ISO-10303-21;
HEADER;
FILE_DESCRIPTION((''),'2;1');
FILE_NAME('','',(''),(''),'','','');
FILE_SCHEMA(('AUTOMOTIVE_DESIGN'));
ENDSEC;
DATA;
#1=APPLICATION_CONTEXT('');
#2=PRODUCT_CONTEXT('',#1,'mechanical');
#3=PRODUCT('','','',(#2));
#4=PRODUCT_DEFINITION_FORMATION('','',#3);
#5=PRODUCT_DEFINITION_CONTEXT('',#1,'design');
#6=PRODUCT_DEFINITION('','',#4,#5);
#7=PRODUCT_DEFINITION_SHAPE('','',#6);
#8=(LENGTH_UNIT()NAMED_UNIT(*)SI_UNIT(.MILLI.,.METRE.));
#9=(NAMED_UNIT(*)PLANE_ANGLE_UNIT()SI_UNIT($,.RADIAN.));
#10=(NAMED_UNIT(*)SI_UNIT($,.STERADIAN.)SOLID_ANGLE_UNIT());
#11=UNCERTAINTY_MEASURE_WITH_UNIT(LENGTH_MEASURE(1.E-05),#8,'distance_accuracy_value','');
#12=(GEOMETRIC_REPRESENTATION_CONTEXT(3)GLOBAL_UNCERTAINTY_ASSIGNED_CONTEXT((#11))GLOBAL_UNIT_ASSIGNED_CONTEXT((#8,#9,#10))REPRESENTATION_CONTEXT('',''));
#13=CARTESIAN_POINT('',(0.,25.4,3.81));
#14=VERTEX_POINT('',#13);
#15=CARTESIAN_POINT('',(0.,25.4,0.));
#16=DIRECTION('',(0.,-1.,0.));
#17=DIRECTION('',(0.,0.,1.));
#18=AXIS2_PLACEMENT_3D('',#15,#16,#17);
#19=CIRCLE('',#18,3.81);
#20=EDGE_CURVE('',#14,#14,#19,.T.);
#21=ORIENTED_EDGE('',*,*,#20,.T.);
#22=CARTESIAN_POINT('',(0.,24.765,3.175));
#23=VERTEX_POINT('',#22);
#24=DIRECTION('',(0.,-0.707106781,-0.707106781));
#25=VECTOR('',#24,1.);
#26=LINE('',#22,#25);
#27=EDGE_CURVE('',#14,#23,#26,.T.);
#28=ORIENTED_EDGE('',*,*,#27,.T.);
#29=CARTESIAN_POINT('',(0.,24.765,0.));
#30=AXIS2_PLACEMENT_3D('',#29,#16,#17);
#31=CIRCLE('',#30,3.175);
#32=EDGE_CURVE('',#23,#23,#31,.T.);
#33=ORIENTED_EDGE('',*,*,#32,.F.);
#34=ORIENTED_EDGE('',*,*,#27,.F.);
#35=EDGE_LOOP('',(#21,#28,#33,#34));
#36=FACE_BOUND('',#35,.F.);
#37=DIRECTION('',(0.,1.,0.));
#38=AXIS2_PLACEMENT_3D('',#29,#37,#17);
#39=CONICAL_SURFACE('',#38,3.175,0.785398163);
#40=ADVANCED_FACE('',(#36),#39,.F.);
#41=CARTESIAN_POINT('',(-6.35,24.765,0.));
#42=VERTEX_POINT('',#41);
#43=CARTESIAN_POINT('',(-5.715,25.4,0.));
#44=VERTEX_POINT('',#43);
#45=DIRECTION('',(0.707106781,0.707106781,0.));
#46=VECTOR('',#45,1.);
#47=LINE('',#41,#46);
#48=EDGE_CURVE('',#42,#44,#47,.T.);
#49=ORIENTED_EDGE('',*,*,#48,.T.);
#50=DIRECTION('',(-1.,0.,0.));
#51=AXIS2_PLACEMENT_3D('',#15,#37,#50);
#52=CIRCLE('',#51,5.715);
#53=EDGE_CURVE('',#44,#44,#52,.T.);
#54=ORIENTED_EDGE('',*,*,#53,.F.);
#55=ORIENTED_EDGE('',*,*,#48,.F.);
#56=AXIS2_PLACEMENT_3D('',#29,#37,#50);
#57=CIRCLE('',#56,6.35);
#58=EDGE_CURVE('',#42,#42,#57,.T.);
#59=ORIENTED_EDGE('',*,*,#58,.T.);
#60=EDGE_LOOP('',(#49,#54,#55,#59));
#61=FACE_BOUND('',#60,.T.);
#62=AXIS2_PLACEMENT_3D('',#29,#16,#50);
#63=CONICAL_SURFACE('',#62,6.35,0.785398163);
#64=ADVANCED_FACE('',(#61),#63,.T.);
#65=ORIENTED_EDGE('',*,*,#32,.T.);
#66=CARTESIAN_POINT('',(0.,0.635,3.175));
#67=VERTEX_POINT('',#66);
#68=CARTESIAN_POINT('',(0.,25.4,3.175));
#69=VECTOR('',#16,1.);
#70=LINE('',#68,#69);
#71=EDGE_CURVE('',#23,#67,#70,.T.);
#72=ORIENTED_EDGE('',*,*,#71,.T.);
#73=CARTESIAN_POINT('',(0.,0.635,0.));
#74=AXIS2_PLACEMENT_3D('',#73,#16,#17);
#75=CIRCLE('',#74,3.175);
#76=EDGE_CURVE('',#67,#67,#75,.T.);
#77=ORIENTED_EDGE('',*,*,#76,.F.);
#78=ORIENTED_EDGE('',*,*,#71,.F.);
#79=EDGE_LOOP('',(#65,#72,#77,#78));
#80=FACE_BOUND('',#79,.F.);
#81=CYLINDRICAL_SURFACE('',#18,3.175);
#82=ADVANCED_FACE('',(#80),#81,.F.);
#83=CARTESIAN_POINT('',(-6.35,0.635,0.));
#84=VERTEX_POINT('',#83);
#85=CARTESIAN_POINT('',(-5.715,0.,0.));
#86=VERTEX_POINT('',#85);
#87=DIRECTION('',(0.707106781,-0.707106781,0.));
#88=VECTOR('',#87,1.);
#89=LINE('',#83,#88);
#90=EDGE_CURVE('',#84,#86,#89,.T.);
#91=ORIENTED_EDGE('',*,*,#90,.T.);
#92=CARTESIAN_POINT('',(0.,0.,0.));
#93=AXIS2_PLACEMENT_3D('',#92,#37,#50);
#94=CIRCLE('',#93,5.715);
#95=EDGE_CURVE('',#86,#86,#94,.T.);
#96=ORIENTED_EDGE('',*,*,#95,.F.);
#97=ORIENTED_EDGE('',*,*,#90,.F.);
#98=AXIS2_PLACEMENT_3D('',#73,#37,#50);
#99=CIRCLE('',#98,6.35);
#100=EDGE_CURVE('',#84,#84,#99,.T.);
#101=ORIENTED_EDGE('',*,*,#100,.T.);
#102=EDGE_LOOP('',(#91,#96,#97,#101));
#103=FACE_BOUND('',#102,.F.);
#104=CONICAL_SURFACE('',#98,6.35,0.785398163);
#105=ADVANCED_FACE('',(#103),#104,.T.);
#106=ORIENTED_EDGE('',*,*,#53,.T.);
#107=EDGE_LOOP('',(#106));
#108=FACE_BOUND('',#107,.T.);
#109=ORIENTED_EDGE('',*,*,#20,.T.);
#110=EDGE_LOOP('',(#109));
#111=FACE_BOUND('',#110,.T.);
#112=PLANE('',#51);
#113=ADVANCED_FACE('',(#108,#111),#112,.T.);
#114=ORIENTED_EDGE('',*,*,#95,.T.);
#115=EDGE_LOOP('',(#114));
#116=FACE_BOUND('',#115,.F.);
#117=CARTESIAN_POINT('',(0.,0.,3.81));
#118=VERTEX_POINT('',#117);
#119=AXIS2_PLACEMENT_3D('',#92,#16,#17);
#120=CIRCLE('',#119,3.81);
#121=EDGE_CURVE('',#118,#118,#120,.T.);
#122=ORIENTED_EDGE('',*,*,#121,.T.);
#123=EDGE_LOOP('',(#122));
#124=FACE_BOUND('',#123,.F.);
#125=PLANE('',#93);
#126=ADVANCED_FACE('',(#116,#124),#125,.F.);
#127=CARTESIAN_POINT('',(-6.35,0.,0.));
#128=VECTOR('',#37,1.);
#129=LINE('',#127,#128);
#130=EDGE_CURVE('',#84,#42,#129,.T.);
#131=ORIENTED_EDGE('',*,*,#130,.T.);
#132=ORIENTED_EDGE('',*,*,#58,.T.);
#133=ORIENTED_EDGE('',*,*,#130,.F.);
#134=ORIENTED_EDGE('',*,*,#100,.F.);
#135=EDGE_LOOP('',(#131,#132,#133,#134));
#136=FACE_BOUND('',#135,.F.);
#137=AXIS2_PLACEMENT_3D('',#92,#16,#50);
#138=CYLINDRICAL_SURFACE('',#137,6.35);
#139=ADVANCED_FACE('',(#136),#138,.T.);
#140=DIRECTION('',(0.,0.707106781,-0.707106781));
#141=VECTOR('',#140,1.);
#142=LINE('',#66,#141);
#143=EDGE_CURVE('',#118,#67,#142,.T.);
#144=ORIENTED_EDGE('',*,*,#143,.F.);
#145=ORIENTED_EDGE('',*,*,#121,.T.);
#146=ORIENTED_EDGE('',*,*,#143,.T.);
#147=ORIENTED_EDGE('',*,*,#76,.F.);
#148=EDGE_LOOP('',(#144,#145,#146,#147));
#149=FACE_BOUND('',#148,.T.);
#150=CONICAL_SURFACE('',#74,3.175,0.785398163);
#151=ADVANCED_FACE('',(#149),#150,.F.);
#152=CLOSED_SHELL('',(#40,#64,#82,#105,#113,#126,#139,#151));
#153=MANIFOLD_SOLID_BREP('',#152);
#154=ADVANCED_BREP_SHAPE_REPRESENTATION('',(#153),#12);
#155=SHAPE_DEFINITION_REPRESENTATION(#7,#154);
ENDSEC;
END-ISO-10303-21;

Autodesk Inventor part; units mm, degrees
ref_plane "YZ Plane" through (0, 0, 0) normal (1, 0, 0) x (0, 1, 0)
ref_plane "XZ Plane" through (0, 0, 0) normal (0, 1, 0) x (-1, 0, 0)
ref_plane "XY Plane" through (0, 0, 0) normal (0, 0, 1) x (1, 0, 0)
sketch "Sketch1" plane through (0, 0, 0) normal (0, 1, 0) x (-1, 0, 0)
  circle A0 centre (0, 0) radius 6.35
  dimension "d0" = 12.7
extrude "Extrusion1" add sketch "Sketch1" along normal blind 25.4
sketch "Sketch2" plane through (0, 25.4, 0) normal (0, 1, 0) x (1, 0, 0)
  point P0 (0, 0)
  point P1 (0, 0)
hole "Hole1" at (0, 25.4, 0) direction (0, -1, 0) diameter 6.35 end through all
chamfer "Chamfer1" distance 0.635 angle 45 2 edges at (6.35, 25.4, 0) (6.35, 0, 0)
chamfer "Chamfer2" distance 0.635 angle 45 2 edges at (0, 25.4, -3.175) (0, 0, -3.175)
properties part number "Practice_001_1inchspacer" material "Aluminum 6061"
